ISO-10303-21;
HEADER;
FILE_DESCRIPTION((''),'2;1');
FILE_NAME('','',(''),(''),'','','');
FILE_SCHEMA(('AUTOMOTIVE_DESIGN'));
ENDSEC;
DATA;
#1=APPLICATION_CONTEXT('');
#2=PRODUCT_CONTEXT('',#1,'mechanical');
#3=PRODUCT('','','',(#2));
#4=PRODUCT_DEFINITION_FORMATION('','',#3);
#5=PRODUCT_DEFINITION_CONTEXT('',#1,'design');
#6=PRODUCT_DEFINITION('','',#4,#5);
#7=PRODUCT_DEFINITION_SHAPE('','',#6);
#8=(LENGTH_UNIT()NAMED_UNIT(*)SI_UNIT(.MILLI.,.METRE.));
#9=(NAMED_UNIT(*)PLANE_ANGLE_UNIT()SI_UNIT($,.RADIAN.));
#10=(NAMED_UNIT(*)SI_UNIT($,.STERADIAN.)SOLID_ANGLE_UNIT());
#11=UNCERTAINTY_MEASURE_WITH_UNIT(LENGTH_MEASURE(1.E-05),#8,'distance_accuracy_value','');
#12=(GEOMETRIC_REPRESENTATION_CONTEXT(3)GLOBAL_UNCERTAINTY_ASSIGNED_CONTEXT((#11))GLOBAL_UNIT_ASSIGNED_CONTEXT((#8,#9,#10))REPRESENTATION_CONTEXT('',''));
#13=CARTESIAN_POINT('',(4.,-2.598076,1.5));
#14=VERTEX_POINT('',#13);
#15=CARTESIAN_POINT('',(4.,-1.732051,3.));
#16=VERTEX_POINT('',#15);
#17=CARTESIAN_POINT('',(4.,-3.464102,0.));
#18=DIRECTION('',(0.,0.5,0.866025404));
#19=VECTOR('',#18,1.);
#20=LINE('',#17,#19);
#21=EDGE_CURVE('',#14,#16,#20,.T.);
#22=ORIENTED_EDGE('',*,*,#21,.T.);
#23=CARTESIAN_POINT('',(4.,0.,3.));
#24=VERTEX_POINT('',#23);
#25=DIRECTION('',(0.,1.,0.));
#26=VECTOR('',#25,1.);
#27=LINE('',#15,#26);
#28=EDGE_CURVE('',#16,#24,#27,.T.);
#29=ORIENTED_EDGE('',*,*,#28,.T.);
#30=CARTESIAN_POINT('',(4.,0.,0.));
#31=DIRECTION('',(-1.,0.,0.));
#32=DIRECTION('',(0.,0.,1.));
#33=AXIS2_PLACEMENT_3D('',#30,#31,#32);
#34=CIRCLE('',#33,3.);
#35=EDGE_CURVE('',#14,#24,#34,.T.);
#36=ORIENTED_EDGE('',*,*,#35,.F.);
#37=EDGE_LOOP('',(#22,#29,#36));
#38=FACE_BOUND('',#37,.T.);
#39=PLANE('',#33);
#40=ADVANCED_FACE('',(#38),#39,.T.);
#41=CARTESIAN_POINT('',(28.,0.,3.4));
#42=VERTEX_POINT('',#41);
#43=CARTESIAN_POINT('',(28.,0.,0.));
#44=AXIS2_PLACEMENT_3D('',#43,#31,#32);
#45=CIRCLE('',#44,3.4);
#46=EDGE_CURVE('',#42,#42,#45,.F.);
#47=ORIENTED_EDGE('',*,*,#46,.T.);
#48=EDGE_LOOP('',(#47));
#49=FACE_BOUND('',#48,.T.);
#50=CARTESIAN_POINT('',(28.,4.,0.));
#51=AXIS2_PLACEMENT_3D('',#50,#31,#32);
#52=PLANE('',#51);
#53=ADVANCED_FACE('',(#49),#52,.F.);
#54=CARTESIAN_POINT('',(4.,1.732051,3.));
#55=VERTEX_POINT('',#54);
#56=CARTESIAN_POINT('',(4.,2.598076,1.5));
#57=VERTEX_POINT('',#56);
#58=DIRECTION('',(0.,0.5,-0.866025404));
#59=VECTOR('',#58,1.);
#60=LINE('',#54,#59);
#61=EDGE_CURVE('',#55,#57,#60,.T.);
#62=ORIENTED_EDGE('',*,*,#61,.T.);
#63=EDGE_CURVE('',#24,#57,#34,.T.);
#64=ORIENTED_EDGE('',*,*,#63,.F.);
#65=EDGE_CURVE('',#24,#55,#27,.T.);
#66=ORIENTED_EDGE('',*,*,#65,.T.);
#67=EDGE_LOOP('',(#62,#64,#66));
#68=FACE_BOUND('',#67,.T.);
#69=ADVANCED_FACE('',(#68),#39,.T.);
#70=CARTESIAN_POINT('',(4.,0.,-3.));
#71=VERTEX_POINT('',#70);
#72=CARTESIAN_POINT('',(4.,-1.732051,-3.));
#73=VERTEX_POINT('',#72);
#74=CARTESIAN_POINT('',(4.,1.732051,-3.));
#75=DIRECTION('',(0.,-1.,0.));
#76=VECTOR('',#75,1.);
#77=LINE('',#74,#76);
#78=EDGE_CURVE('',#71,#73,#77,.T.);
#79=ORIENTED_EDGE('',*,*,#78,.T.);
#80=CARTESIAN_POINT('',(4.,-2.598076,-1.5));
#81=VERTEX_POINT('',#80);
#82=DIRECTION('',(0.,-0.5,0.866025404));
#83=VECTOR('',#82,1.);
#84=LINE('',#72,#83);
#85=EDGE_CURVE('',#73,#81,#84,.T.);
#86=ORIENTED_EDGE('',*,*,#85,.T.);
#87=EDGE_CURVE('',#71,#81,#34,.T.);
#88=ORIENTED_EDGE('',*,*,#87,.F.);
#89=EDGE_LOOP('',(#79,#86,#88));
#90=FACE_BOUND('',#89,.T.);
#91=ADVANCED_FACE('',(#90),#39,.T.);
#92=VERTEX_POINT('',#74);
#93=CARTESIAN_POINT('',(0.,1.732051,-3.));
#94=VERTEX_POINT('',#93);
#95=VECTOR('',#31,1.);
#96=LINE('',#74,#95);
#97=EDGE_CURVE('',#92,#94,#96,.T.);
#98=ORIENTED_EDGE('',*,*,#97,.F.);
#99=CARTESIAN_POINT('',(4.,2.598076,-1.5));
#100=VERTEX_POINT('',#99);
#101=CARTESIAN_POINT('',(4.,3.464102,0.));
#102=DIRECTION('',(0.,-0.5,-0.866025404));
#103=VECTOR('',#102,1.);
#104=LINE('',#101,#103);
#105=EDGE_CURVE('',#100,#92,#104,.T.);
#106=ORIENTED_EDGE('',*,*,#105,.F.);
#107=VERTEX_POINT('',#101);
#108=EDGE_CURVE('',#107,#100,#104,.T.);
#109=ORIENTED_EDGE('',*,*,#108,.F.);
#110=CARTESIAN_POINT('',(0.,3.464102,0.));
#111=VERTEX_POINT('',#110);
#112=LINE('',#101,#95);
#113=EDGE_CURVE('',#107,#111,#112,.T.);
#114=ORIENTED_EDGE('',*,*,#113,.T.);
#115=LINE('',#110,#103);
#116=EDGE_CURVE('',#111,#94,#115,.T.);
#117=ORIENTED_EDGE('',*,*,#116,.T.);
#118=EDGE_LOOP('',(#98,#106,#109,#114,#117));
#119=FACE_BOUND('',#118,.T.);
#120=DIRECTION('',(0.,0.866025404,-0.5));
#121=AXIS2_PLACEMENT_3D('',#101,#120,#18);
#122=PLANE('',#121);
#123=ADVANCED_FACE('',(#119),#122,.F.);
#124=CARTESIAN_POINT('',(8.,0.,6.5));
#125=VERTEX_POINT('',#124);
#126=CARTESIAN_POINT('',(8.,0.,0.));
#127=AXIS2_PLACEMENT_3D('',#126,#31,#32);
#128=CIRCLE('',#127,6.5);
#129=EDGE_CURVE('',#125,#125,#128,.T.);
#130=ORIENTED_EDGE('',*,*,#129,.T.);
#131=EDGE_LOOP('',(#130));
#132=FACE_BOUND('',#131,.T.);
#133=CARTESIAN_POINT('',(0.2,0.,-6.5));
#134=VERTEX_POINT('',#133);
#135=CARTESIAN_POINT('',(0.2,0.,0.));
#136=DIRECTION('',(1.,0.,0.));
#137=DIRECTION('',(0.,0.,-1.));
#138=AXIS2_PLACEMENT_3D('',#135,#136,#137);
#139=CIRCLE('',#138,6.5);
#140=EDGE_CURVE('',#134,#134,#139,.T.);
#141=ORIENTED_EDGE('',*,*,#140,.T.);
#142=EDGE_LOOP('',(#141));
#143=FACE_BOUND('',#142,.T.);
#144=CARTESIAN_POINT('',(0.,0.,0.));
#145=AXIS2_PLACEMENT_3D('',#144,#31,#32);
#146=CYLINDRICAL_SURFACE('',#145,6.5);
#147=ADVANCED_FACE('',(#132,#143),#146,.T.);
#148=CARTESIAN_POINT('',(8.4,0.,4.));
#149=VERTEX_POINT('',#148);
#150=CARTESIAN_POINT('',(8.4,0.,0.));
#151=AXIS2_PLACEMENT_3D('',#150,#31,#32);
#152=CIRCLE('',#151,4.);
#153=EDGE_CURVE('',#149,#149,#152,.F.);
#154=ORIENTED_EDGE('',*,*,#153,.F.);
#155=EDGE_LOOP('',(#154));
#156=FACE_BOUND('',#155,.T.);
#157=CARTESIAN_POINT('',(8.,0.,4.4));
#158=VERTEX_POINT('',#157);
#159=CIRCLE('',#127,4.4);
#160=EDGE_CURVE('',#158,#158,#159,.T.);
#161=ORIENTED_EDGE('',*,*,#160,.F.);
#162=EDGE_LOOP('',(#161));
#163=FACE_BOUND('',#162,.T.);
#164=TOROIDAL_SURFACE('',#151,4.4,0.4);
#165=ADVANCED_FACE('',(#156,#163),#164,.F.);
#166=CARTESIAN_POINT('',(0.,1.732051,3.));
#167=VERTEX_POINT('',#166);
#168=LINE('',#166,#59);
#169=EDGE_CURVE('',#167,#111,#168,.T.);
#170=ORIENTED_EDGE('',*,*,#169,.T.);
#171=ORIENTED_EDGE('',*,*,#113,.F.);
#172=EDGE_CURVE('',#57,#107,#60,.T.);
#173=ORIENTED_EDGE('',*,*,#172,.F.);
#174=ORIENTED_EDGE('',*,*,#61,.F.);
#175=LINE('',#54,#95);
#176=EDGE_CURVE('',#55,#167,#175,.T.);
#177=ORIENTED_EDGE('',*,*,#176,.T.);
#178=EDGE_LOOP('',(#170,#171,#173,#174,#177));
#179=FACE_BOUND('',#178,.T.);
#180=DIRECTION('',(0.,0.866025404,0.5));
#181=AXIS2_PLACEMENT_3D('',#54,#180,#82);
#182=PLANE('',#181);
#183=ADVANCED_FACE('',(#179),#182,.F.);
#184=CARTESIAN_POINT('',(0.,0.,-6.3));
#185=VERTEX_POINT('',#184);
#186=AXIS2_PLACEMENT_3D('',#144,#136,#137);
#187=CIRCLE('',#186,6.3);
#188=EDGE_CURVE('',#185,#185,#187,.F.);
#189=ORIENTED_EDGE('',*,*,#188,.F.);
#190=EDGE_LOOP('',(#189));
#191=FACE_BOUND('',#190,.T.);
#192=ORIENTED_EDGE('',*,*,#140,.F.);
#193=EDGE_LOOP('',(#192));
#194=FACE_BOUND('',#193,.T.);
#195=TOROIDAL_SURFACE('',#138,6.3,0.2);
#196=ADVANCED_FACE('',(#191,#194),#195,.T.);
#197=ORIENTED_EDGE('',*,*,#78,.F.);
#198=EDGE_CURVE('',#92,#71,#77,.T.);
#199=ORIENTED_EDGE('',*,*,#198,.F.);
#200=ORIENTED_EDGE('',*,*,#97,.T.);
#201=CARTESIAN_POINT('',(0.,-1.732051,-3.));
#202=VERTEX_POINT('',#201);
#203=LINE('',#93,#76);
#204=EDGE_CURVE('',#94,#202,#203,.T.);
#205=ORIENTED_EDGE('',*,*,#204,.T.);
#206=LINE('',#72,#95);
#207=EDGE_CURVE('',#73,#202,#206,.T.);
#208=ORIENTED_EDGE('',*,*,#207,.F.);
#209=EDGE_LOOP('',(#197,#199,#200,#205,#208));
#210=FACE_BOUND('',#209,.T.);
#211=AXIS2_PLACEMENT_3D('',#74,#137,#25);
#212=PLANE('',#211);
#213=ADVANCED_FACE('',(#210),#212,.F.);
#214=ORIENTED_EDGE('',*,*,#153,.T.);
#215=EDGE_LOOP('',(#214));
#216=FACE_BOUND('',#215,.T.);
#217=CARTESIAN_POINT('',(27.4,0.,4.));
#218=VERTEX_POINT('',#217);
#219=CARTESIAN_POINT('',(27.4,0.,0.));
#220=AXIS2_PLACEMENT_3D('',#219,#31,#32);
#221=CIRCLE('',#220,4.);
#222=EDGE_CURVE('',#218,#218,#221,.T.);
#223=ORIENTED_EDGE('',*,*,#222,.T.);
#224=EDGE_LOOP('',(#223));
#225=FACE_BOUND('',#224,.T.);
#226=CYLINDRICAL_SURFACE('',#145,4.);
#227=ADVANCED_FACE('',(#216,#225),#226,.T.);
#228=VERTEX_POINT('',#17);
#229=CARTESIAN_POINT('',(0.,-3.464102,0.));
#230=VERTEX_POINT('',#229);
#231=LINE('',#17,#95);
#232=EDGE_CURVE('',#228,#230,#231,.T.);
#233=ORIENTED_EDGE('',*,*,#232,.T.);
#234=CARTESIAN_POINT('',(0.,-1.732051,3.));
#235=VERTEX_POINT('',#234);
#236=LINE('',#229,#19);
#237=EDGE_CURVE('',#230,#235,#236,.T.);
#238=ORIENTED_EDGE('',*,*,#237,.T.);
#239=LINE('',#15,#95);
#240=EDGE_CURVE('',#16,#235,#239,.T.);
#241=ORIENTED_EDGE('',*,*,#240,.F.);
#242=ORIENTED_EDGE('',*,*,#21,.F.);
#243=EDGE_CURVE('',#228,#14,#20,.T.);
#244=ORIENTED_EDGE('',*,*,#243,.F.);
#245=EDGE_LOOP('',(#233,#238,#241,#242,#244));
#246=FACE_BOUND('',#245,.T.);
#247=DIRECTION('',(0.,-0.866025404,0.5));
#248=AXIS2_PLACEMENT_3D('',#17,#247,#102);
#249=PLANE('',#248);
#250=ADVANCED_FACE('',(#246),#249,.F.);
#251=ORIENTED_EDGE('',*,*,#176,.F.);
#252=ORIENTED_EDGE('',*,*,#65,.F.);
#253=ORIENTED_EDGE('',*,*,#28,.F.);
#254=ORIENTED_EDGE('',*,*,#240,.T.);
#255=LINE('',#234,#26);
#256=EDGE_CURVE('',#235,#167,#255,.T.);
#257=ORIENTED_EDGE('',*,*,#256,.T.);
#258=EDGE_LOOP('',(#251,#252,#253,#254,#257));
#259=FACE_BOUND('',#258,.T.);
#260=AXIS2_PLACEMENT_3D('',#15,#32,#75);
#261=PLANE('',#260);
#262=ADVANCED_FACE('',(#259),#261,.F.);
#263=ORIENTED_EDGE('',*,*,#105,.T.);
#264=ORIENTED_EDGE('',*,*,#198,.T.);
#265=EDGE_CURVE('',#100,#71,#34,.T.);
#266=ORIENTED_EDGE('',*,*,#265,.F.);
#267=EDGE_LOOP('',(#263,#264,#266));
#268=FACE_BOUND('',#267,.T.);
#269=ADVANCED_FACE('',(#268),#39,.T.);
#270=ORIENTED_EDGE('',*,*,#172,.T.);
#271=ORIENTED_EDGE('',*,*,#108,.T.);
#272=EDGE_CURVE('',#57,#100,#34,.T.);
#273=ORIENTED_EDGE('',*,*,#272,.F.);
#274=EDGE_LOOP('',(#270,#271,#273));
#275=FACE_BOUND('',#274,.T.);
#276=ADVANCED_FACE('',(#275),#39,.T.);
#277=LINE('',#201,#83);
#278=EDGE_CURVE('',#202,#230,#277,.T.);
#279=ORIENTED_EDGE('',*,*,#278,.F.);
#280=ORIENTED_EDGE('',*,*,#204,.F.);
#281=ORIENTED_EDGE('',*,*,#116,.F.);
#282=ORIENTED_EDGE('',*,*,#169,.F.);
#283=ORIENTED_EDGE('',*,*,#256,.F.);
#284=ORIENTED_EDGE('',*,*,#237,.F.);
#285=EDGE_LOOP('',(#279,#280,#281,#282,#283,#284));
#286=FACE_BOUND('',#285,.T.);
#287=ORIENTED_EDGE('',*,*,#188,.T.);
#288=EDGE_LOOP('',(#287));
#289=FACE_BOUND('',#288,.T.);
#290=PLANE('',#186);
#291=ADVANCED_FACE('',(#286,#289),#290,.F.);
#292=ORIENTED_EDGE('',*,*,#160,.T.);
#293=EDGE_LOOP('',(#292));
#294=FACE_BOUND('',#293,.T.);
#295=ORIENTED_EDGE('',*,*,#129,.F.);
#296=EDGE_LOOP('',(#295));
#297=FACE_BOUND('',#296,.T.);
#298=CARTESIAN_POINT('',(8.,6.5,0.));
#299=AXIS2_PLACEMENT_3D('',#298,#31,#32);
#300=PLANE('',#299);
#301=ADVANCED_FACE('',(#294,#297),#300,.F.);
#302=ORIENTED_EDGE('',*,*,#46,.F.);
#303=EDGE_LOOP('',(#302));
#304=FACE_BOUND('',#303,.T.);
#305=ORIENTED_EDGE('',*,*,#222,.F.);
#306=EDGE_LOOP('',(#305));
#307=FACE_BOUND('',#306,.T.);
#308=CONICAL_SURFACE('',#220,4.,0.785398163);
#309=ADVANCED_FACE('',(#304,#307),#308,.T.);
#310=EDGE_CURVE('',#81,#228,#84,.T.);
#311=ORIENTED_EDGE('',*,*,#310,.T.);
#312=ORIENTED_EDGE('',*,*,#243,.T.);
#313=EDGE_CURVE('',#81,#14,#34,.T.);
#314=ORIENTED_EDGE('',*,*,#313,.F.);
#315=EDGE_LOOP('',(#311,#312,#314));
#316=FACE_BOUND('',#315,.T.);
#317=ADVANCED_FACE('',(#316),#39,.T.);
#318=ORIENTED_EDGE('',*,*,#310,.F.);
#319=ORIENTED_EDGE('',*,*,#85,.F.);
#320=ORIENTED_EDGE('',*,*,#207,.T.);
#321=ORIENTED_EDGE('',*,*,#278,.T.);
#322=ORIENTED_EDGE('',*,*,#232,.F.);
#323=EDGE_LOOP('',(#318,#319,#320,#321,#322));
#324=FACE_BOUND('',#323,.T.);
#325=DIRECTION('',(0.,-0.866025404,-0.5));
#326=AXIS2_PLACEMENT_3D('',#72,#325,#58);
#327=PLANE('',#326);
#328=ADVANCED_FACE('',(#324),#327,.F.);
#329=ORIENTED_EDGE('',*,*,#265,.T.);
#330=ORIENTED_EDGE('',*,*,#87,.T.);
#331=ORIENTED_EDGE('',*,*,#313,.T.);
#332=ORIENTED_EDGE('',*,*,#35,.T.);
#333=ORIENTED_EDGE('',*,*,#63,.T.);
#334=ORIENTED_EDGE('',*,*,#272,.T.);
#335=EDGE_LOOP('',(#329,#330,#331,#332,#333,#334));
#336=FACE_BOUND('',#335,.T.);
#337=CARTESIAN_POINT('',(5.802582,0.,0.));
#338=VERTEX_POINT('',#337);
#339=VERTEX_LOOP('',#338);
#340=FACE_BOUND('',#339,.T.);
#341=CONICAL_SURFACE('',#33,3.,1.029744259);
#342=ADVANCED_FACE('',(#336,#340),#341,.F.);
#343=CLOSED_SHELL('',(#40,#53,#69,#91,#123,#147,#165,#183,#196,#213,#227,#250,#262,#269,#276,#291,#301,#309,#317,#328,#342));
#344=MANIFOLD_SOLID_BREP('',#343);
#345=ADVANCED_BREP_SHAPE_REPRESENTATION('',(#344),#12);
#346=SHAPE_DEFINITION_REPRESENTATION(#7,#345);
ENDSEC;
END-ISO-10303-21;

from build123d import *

# Parameters (mm, degrees)
MM_1_D              = 6
MM_1_DEPTH          = 4
MM_1_TIP            = 1.802581857
CUT_EXTRUDE_1_DEPTH = 4
FILLET_1_R          = 0.2
CHAMFER_1_SIZE      = 0.6
FILLET_2_R          = 0.4


with BuildPart() as part:
    # 草图1 → 旋转1 (revolve)
    with BuildSketch(Plane.XY):
        Polygon((0, 0), (0, 6.5), (8, 6.5), (8, 4), (28, 4), (28, 0), align=None)
    revolve(axis=Axis((0, 0, 0), (1, 0, 0)))

    # 大小mm 暗销孔1
    with Locations(Plane.ZY):
        with Locations((0, 0)):
            Hole(MM_1_D / 2, depth=MM_1_DEPTH)
            with Locations((0, 0, -(MM_1_DEPTH + MM_1_TIP / 2))):  # 118° drill point
                Cone(0, MM_1_D / 2, MM_1_TIP, mode=Mode.SUBTRACT)

    # 草图4 → 切除-拉伸1 (cut)
    with BuildSketch(Plane.ZY):
        Polygon((3, 1.732050808), (0, 3.464101615), (-3, 1.732050808), (-3, -1.732050808), (0, -3.464101615), (3, -1.732050808), align=None)
    extrude(amount=-CUT_EXTRUDE_1_DEPTH, mode=Mode.SUBTRACT)

    # 圆角1
    fillet_1_edges = [part.edges().sort_by_distance(p)[0] for p in [
        (0, -6.5, 0),
    ]]
    fillet(fillet_1_edges, radius=FILLET_1_R)

    # 倒角1
    chamfer_1_edges = [part.edges().sort_by_distance(p)[0] for p in [
        (28, -4, 0),
    ]]
    chamfer(chamfer_1_edges, length=CHAMFER_1_SIZE)

    # 圆角2
    fillet_2_edges = [part.edges().sort_by_distance(p)[0] for p in [
        (8, -4, 0),
    ]]
    fillet(fillet_2_edges, radius=FILLET_2_R)


solid = part.part
